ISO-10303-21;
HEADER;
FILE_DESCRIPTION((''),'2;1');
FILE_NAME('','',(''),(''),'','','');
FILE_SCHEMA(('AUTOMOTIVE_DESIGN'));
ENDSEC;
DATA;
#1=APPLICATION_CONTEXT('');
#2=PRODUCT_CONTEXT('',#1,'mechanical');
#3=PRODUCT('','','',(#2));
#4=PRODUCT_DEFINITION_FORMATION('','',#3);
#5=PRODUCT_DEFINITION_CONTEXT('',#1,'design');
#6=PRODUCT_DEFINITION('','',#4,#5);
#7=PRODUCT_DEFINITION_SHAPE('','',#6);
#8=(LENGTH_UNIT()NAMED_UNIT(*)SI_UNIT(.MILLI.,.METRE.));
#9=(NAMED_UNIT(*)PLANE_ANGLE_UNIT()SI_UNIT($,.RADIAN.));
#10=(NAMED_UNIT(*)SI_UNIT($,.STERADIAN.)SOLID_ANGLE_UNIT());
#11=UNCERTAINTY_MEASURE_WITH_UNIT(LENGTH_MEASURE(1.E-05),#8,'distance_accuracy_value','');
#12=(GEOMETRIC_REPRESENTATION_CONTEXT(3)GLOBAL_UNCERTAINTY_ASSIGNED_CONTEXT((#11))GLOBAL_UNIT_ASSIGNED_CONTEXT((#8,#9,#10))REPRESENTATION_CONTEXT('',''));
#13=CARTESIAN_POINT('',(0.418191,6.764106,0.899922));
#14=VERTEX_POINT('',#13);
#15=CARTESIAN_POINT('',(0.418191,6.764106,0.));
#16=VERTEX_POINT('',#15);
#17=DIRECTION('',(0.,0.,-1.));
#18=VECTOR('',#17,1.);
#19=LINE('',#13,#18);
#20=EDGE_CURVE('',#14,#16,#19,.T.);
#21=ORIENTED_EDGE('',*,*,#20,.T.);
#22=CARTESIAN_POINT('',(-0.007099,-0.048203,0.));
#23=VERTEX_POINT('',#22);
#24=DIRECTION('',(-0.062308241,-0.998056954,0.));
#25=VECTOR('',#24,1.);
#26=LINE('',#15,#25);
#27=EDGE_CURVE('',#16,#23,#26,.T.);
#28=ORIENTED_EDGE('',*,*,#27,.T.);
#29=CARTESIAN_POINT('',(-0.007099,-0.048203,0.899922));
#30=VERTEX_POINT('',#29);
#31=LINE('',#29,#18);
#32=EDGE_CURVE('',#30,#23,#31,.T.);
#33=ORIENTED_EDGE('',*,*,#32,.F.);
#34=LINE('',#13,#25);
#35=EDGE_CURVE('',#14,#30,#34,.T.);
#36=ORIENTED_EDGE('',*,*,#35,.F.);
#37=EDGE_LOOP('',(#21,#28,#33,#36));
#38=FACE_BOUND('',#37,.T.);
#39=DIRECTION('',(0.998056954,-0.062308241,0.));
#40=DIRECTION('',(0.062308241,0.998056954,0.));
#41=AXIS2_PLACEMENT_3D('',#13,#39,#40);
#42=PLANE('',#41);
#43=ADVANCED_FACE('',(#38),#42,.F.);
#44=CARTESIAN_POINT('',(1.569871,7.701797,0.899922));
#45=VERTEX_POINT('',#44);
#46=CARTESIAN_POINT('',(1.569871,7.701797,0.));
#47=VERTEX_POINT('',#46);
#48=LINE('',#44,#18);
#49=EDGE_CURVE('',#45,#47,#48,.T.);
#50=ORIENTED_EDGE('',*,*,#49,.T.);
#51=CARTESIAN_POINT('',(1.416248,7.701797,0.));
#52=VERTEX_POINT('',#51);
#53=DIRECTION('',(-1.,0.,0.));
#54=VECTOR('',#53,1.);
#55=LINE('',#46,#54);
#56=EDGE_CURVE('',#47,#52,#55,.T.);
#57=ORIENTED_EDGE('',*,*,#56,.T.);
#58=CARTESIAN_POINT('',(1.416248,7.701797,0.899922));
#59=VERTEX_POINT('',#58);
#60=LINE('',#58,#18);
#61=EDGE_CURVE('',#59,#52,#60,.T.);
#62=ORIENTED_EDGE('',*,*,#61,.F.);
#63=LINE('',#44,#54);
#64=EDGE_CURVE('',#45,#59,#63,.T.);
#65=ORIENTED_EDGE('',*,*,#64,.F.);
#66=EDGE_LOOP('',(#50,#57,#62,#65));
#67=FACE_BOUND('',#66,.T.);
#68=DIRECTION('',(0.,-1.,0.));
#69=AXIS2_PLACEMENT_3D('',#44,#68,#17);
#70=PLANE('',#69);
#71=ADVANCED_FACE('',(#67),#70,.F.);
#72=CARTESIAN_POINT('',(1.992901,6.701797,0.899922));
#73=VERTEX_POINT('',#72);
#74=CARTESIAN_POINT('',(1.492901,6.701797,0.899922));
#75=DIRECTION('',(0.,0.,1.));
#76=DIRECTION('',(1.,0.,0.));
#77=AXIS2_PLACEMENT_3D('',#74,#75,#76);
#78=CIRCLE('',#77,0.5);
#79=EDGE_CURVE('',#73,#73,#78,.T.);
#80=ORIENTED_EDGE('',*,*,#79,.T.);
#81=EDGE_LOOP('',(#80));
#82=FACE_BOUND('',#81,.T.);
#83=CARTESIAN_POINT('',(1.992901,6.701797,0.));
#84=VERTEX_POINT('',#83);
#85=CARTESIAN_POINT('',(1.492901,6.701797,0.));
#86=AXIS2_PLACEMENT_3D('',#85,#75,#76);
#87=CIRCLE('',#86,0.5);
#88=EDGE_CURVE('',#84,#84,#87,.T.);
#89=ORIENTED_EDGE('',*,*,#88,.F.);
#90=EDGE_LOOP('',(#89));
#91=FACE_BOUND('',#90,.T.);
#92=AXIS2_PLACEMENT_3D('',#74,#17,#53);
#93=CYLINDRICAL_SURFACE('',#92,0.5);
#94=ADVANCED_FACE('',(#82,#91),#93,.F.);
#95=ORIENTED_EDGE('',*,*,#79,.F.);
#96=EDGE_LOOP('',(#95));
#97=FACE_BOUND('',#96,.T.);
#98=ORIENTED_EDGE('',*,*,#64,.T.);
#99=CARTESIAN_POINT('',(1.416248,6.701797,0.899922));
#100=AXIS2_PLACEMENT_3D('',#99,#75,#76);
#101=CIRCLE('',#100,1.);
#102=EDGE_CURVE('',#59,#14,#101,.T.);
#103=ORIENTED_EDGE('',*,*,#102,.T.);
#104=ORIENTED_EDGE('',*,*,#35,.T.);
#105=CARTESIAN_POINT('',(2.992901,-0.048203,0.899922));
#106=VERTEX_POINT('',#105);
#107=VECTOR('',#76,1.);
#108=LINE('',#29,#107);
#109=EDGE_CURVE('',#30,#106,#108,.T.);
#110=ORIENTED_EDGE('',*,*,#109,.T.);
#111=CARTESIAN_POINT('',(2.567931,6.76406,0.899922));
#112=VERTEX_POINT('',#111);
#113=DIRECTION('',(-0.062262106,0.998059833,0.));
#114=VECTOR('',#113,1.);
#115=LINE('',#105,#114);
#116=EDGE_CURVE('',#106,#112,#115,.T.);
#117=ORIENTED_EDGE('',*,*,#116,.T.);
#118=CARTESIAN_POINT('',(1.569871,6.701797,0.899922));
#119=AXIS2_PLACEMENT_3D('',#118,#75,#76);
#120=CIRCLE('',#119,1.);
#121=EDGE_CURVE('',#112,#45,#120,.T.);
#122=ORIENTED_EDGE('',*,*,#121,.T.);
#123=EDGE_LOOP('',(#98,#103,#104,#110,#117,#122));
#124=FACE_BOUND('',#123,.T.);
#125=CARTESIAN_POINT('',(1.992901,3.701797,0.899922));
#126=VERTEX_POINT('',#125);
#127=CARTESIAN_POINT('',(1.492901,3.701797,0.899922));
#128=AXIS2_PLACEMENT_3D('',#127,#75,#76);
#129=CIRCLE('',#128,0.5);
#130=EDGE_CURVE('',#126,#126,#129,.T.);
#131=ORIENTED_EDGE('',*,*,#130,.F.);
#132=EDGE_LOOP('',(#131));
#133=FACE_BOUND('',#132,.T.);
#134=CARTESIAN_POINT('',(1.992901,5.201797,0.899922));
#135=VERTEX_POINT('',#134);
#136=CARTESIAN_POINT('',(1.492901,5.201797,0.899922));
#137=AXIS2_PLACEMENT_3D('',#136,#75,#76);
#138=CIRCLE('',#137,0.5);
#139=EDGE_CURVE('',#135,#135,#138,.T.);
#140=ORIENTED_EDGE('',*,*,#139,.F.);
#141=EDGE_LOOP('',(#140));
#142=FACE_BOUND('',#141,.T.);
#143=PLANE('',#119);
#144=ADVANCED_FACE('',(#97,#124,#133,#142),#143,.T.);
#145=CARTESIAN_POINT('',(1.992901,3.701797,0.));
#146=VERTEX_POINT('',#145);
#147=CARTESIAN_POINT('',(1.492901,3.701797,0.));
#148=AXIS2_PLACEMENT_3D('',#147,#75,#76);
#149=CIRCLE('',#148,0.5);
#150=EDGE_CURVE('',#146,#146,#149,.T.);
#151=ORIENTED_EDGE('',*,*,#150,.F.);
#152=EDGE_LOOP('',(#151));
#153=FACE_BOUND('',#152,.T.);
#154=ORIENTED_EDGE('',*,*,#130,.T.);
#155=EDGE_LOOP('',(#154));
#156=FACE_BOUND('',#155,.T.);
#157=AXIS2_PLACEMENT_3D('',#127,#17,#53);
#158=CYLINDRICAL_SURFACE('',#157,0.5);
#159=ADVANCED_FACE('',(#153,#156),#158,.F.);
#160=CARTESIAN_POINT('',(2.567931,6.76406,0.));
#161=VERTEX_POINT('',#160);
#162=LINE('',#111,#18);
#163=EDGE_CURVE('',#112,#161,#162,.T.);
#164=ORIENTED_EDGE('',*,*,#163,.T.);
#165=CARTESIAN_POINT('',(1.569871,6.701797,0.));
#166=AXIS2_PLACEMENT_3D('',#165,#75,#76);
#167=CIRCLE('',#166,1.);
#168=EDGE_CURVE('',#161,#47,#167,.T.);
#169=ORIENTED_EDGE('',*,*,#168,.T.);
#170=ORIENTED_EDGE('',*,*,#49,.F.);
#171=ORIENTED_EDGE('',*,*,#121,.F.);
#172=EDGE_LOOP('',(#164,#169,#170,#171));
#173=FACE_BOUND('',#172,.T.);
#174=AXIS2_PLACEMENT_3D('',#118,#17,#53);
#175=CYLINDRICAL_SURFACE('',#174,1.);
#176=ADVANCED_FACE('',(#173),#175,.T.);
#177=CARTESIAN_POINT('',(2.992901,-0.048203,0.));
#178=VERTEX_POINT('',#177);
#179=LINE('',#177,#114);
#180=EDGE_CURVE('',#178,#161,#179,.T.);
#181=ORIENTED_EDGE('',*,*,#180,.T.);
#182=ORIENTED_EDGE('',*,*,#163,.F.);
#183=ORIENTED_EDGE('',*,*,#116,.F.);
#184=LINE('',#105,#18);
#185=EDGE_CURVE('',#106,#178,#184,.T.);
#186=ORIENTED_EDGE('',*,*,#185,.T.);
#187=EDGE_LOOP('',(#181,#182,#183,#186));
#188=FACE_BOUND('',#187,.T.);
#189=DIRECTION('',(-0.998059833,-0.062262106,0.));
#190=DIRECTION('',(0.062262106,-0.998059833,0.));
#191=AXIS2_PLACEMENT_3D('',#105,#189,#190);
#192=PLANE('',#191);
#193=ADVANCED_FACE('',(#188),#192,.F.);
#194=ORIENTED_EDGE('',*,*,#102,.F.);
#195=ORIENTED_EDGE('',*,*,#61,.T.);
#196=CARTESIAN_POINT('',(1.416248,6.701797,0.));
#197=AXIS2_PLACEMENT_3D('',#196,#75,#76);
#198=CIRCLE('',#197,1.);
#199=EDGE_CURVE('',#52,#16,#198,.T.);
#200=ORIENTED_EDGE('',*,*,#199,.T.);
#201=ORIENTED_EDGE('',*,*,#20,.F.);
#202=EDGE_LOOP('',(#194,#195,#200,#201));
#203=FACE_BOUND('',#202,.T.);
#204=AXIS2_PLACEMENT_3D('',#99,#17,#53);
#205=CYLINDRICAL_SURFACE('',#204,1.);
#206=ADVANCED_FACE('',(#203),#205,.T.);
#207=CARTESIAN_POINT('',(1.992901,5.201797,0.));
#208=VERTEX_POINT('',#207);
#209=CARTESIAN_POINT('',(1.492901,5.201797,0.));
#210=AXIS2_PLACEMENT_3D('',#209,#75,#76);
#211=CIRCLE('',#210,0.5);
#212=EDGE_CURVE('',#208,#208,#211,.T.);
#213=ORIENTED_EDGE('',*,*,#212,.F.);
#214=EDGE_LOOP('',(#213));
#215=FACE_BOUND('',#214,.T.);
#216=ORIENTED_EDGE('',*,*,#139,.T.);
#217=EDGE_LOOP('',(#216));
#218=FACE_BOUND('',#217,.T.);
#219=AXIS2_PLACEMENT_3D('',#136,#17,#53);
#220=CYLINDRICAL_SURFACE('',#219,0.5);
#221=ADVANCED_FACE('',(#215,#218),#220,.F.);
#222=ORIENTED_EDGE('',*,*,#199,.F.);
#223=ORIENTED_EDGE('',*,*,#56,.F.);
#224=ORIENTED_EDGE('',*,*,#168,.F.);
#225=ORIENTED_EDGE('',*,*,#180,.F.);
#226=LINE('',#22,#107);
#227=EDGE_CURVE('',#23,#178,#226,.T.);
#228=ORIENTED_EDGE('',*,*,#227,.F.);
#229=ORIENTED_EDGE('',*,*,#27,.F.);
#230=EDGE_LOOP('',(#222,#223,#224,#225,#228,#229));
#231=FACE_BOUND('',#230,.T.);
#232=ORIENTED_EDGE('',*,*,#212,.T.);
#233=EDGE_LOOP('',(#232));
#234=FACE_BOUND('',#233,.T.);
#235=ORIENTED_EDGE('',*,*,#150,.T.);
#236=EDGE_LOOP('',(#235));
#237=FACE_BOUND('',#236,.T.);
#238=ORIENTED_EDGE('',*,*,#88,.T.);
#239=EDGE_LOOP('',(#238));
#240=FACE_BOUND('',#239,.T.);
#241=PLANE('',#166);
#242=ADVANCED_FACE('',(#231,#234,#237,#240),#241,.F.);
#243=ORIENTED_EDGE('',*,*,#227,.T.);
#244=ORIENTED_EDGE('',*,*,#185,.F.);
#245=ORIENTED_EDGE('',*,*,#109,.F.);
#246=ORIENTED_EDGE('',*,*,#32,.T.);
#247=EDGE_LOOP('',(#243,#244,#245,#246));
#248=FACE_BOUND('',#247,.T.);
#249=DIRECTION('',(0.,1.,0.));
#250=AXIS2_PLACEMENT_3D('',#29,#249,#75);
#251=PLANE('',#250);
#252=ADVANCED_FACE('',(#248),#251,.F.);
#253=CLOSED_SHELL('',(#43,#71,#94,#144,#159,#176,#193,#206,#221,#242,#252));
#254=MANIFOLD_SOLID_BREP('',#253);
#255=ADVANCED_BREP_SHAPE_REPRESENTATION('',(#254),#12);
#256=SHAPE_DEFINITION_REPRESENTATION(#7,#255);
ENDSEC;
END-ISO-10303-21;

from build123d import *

# Parameters (mm, degrees)
SKETCH1_R           = 0.5
BOSS_EXTRUDE1_DEPTH = 0.899922


with BuildPart() as part:
    # Sketch1 → Boss-Extrude1 (new body)
    with BuildSketch(Plane.XY):
        with BuildLine():
            Line((1.569871125, 7.70179743), (1.41624751, 7.70179743))
            ThreePointArc((1.41624751, 7.70179743), (0.731524296, 7.430600641), (0.418190556, 6.764105671))
            Line((0.418190556, 6.764105671), (-0.007098742, -0.04820257))
            Line((-0.007098742, -0.04820257), (2.992901258, -0.04820257))
            Line((2.992901258, -0.04820257), (2.567930958, 6.764059536))
            ThreePointArc((2.567930958, 6.764059536), (2.254611183, 7.430584816), (1.569871125, 7.70179743))
        make_face()
        with Locations((1.492901258, 3.70179743)):
            Circle(SKETCH1_R, mode=Mode.SUBTRACT)
        with Locations((1.492901258, 5.20179743)):
            Circle(SKETCH1_R, mode=Mode.SUBTRACT)
        with Locations((1.492901258, 6.70179743)):
            Circle(SKETCH1_R, mode=Mode.SUBTRACT)
    extrude(amount=BOSS_EXTRUDE1_DEPTH)


solid = part.part
